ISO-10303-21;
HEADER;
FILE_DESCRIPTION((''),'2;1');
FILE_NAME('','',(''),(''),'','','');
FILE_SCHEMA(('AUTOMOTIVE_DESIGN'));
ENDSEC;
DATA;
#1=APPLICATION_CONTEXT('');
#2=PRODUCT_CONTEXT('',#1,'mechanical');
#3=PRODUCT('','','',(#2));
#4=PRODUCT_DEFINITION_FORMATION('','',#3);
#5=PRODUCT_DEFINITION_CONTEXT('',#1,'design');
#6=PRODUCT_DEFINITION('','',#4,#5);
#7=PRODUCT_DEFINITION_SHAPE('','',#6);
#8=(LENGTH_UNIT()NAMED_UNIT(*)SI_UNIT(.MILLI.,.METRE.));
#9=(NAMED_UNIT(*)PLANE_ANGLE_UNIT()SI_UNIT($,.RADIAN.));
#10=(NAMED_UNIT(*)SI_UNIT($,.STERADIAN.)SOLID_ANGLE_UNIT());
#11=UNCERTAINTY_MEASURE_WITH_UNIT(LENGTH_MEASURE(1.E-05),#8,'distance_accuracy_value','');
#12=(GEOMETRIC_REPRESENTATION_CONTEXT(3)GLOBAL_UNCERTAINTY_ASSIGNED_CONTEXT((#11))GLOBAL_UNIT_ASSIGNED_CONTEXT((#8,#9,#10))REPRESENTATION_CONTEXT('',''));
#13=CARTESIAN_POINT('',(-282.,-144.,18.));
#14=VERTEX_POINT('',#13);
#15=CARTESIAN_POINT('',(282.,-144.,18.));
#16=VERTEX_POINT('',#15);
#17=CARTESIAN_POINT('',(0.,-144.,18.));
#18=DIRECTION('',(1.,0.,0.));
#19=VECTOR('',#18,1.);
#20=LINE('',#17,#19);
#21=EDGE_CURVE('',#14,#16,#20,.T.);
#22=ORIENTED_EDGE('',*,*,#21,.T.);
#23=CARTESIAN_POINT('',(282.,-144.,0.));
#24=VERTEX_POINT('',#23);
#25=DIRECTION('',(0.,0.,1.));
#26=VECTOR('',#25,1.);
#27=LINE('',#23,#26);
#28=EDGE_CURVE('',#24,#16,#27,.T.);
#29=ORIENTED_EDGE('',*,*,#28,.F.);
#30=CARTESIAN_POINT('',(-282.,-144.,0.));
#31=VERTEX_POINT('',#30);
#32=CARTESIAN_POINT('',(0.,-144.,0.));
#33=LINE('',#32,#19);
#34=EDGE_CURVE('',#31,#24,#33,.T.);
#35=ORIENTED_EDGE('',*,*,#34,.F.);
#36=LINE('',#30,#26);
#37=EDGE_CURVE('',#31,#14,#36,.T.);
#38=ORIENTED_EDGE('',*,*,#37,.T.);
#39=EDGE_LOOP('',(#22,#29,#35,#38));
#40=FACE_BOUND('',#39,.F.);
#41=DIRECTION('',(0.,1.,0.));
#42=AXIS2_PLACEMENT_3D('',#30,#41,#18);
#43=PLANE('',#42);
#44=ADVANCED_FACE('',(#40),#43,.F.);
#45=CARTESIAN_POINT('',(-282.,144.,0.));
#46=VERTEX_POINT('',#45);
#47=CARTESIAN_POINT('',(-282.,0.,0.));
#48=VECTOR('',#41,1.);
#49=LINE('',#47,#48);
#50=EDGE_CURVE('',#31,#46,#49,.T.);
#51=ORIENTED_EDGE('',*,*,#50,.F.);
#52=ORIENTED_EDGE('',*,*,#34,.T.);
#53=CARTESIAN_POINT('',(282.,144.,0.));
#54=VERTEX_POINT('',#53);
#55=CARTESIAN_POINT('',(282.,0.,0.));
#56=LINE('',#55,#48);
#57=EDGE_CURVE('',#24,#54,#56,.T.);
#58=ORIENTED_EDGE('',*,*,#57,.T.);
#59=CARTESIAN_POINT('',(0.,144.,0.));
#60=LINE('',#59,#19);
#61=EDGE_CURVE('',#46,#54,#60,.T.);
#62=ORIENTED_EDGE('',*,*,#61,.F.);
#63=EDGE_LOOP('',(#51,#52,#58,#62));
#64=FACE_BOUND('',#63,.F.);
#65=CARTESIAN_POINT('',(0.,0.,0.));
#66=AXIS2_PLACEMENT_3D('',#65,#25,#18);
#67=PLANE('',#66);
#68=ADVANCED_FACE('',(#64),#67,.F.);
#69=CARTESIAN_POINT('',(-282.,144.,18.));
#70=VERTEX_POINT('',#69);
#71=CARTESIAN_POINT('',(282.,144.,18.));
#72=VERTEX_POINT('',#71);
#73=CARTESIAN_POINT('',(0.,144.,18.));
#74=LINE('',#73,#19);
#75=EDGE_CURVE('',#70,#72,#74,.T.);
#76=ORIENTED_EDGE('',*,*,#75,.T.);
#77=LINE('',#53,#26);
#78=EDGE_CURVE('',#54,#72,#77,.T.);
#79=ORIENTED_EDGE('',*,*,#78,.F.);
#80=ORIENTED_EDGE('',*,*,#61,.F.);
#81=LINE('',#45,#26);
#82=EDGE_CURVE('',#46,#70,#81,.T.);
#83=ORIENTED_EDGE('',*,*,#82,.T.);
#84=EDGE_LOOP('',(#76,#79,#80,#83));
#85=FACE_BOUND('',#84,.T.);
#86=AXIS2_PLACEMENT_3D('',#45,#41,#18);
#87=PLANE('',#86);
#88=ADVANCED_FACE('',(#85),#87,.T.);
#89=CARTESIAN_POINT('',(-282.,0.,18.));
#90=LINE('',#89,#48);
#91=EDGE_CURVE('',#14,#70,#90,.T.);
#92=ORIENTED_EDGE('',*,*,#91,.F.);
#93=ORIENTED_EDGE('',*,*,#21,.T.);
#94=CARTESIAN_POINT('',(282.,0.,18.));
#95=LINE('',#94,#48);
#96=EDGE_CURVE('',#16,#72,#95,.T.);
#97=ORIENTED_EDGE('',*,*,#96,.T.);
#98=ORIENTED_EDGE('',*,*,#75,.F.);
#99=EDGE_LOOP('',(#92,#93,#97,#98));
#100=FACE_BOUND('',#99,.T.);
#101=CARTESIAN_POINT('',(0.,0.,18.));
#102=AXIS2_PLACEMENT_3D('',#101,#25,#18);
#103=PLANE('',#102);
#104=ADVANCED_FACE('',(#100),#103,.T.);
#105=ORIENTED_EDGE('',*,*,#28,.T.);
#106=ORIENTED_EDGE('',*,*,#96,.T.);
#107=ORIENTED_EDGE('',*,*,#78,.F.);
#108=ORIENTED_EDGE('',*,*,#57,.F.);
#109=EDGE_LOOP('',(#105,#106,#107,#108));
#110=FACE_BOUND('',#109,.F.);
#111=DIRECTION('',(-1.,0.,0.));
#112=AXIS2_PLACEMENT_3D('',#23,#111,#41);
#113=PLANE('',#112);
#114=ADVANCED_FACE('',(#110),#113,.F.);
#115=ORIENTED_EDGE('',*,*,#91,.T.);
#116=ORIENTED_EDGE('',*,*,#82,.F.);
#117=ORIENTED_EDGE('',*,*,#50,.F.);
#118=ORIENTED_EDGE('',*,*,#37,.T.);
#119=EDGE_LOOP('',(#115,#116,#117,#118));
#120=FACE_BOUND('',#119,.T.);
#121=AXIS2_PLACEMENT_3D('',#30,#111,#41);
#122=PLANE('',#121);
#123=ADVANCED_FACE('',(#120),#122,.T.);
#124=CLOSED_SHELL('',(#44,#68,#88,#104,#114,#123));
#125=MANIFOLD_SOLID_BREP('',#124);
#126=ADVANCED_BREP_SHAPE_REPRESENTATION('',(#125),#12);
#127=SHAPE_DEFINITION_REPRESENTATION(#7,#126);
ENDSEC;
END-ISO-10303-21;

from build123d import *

# Parameters (mm, degrees)
SKETCH1_W           = 564
SKETCH1_H           = 288
BOSS_EXTRUDE1_DEPTH = 18


with BuildPart() as part:
    # Sketch1 → Boss-Extrude1 (new body)
    with BuildSketch(Plane.XY):
        Rectangle(SKETCH1_W, SKETCH1_H)
    extrude(amount=BOSS_EXTRUDE1_DEPTH)


solid = part.part
